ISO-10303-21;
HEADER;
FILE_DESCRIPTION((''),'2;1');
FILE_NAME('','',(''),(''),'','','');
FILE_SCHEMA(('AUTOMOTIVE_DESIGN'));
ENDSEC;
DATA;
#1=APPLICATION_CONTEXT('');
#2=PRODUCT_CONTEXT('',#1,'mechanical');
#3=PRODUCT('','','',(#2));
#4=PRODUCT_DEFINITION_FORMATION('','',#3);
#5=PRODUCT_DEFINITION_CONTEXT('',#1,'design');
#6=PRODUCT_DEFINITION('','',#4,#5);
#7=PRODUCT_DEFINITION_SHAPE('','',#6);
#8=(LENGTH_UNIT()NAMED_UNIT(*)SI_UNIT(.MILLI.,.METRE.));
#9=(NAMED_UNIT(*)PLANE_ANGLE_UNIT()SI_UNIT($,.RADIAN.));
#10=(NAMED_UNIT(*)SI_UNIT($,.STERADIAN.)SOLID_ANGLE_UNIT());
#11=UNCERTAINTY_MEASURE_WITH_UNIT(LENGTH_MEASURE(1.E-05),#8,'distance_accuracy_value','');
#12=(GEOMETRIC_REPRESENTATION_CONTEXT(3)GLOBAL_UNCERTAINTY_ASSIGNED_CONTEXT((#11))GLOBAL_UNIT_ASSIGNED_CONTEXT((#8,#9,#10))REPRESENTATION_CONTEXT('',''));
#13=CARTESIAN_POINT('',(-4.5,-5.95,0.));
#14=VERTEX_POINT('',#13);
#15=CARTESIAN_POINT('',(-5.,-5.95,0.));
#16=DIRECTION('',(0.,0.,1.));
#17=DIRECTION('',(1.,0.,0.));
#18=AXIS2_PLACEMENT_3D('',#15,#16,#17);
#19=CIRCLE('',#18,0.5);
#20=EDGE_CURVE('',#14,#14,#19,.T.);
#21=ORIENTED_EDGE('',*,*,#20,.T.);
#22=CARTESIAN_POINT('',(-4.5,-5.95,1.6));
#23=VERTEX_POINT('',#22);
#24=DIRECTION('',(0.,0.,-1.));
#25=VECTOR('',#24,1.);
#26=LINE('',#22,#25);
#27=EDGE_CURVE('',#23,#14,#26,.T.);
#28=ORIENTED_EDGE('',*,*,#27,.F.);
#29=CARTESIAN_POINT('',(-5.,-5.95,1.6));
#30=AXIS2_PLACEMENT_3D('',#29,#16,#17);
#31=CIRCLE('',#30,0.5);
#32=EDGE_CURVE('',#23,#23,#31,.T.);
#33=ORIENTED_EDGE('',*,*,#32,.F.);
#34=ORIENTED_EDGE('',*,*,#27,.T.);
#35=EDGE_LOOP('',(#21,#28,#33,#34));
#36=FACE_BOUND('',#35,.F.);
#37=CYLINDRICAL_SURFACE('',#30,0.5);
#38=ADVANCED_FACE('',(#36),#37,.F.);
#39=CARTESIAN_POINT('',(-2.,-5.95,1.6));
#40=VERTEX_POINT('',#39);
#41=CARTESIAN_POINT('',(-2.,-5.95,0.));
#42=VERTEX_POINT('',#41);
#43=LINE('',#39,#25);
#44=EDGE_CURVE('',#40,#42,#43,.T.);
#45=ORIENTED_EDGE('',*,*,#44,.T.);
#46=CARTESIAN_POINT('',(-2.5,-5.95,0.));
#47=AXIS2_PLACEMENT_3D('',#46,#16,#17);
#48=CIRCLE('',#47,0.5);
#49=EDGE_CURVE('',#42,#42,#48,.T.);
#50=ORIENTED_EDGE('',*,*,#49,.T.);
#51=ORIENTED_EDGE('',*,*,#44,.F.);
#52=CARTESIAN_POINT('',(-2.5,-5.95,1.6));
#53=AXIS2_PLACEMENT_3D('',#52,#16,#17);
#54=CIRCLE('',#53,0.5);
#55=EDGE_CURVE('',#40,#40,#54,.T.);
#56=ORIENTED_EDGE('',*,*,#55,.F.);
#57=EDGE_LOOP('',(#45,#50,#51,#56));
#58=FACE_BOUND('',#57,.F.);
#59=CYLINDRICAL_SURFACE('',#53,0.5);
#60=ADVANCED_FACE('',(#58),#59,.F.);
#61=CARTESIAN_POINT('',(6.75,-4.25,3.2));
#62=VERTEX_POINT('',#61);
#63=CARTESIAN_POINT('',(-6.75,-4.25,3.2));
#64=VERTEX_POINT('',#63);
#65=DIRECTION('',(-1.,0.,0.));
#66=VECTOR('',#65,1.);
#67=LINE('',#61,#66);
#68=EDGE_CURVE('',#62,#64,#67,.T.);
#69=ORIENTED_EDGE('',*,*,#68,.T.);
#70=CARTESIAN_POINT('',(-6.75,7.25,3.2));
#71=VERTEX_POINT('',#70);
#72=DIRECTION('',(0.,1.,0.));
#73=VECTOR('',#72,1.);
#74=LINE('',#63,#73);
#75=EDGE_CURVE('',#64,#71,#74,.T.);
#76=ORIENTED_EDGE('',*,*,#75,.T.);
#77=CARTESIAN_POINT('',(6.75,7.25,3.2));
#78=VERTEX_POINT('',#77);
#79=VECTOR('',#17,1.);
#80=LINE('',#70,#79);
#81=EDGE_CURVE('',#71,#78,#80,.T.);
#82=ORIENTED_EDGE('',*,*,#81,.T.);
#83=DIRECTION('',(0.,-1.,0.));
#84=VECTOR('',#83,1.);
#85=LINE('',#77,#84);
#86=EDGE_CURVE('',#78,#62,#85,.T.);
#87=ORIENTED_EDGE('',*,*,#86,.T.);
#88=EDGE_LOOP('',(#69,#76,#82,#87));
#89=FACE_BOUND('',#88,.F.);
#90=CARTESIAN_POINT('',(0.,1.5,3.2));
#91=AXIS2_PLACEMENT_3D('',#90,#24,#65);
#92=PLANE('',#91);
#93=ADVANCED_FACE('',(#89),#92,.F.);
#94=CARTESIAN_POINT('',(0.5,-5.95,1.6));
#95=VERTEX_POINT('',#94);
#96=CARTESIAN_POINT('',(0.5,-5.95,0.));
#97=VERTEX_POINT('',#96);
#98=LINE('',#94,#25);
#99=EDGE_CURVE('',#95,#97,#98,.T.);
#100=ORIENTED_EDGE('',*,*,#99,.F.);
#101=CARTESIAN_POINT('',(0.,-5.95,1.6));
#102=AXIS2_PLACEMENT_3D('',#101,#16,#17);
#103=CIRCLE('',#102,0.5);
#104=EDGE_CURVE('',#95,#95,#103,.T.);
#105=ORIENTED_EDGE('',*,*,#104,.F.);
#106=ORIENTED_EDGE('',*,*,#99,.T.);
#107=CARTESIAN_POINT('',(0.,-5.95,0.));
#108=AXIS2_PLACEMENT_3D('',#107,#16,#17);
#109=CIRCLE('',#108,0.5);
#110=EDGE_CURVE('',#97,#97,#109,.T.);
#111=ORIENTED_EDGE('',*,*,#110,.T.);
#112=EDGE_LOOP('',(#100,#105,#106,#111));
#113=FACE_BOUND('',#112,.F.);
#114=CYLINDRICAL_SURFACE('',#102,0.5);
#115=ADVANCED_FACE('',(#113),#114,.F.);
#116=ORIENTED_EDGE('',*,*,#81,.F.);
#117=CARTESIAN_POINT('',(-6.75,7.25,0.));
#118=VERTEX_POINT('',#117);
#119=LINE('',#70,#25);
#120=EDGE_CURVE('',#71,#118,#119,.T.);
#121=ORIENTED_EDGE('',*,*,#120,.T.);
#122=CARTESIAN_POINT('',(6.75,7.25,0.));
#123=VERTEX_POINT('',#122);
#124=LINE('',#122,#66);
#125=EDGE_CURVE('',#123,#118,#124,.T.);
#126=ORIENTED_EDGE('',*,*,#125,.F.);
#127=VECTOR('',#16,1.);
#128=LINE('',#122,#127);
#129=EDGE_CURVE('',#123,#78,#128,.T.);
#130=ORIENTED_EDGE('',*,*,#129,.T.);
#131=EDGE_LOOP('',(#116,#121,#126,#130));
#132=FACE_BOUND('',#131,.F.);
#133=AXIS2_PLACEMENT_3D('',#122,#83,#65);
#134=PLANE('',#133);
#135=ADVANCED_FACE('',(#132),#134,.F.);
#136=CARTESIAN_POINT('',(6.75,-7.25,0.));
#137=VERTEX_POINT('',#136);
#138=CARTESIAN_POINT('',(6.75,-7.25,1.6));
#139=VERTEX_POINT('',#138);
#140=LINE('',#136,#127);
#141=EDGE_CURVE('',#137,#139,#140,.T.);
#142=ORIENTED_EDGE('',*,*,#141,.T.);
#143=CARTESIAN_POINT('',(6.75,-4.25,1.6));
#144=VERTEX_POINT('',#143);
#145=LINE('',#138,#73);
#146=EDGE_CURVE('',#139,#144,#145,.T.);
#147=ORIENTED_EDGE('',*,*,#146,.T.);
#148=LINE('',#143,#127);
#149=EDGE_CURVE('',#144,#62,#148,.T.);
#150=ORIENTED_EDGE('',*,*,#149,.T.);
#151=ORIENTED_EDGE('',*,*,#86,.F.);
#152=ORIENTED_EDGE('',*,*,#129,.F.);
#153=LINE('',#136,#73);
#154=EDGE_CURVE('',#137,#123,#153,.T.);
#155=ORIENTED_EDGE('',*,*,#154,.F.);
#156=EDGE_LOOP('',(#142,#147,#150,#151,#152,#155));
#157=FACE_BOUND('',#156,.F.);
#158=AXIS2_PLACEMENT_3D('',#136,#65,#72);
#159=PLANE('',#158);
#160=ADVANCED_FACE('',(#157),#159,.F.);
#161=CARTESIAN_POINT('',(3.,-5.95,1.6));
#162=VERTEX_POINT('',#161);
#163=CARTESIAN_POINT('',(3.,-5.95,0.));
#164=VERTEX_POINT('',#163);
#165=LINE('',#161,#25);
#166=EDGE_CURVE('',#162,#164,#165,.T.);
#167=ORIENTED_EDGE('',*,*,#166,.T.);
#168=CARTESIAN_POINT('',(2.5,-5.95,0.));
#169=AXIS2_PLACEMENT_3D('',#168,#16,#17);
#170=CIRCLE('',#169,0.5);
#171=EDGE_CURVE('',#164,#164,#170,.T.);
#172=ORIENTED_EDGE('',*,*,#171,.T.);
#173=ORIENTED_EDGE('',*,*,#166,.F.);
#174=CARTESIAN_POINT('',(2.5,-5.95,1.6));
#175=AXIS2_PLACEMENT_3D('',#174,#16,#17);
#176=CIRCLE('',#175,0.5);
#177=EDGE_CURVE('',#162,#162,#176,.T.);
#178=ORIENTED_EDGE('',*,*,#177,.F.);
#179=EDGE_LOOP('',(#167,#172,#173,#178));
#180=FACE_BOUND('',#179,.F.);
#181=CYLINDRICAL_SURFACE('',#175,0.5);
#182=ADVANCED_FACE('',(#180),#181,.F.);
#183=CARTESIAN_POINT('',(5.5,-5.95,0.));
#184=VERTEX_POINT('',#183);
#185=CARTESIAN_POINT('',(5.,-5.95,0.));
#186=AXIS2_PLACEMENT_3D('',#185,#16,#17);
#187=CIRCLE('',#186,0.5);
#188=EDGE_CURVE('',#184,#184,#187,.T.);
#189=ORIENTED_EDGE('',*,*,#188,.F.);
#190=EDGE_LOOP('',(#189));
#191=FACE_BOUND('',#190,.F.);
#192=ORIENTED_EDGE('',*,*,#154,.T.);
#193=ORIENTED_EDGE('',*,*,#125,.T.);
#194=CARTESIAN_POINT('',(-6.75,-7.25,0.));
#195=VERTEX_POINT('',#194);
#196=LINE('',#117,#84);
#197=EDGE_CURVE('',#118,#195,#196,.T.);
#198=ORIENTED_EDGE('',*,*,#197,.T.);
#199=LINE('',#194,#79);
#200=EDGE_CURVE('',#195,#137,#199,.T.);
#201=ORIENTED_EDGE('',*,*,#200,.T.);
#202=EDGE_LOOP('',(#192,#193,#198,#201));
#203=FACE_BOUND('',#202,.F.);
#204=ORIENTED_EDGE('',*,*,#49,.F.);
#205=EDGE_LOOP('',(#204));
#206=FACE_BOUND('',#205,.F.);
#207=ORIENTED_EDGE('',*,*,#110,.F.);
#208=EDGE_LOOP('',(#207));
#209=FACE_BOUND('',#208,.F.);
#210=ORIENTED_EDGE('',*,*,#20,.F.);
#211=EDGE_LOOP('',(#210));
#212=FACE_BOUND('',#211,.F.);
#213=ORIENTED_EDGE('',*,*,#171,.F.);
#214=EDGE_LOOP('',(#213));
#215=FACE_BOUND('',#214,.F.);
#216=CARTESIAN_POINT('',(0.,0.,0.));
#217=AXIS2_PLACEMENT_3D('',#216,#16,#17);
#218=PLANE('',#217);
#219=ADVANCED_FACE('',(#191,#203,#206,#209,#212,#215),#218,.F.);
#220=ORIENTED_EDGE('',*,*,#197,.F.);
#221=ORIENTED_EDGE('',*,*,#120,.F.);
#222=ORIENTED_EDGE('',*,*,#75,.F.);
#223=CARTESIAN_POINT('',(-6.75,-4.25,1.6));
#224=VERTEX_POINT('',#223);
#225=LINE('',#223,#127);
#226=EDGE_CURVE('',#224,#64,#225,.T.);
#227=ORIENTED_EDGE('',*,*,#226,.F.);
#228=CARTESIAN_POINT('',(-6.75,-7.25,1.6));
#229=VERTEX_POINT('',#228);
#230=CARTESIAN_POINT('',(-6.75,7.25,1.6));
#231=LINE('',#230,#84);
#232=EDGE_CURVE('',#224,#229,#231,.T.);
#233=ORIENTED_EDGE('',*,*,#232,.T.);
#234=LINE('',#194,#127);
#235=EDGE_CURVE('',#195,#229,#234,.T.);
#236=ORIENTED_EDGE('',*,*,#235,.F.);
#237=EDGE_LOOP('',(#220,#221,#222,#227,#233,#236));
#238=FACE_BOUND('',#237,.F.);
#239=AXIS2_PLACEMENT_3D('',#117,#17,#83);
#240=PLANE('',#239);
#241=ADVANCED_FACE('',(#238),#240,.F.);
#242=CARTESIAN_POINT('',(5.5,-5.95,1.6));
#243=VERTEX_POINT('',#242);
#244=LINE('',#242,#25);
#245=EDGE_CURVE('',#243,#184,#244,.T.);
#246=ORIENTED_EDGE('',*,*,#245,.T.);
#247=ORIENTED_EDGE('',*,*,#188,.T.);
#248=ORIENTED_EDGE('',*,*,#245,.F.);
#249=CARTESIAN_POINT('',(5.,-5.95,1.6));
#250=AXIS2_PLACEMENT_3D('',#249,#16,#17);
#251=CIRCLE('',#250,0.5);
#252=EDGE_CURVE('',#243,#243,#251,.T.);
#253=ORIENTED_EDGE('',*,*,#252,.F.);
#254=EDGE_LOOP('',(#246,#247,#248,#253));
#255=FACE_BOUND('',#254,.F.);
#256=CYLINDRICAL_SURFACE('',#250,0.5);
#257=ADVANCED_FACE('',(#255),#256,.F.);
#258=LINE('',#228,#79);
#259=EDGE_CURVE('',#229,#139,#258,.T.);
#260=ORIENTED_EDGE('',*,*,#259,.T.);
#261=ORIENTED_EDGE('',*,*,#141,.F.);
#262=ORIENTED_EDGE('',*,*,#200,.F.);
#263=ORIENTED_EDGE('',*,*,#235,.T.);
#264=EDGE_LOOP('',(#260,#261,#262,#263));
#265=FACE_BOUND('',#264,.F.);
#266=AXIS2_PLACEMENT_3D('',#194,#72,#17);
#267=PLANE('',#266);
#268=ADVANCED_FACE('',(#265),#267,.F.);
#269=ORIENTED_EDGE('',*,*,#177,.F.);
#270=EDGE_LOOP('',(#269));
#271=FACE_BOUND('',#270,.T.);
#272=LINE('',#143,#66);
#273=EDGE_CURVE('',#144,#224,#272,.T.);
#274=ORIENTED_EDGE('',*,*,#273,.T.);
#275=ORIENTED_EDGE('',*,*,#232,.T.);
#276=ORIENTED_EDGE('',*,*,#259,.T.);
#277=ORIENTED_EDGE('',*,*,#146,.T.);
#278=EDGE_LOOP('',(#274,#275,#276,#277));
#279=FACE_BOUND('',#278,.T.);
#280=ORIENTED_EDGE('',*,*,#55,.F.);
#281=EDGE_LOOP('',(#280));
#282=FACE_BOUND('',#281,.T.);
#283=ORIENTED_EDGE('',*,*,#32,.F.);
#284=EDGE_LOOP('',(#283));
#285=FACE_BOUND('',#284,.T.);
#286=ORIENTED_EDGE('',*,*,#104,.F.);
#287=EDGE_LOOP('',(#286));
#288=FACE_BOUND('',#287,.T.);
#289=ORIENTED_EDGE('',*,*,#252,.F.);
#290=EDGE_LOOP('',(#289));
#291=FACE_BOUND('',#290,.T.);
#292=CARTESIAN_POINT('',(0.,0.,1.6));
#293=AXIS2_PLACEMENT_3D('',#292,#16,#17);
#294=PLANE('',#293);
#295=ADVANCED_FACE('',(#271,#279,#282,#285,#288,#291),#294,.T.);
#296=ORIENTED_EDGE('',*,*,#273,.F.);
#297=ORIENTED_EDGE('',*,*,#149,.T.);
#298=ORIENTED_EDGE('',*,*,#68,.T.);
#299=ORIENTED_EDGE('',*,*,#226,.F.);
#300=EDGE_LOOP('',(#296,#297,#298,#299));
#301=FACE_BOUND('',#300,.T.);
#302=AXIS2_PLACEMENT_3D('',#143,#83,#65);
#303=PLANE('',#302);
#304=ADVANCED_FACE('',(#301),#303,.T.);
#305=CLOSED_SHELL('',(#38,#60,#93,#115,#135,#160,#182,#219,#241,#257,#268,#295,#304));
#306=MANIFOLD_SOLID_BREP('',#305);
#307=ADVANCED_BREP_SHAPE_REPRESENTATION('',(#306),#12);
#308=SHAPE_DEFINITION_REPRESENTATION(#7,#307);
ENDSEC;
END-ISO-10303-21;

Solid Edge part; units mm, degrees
sketch "Sketch1" plane through (0, 0, 0) normal (0, 0, 1) x (1, 0, 0)
  line L0 (-6.75, -7.25) -> (6.75, -7.25)
  line L1 (6.75, -7.25) -> (6.75, 7.25)
  line L2 (6.75, 7.25) -> (-6.75, 7.25)
  line L3 (-6.75, 7.25) -> (-6.75, -7.25)
  dimension "D1" = 13.5
  dimension "D2" = 14.5
extrude "Protrusion1" add sketch "Sketch1" along normal blind 1.6
sketch "Sketch2" plane through (0, 0, 1.6) normal (0, 0, 1) x (1, 0, 0)
  circle A0 centre (-5, -5.95) radius 0.5
  circle A1 centre (-2.5, -5.95) radius 0.5
  circle A2 centre (0, -5.95) radius 0.5
  circle A3 centre (2.5, -5.95) radius 0.5
  circle A4 centre (5, -5.95) radius 0.5
  dimension "D1" = 1
  dimension "D2" = 2.5
  dimension "D3" = 1.3
extrude "Cutout1" cut sketch "Sketch2" against normal through all
sketch "Sketch3" plane through (0, 0, 1.6) normal (0, 0, 1) x (1, 0, 0)
  line L0 (-6.75, 7.25) -> (6.75, 7.25)
  line L1 (6.75, 7.25) -> (6.75, -4.25)
  line L2 (6.75, -4.25) -> (-6.75, -4.25)
  line L3 (-6.75, -4.25) -> (-6.75, 7.25)
  dimension "D1" = 3
extrude "Extrusionsausprägung_2" add sketch "Sketch3" along normal blind 1.6
